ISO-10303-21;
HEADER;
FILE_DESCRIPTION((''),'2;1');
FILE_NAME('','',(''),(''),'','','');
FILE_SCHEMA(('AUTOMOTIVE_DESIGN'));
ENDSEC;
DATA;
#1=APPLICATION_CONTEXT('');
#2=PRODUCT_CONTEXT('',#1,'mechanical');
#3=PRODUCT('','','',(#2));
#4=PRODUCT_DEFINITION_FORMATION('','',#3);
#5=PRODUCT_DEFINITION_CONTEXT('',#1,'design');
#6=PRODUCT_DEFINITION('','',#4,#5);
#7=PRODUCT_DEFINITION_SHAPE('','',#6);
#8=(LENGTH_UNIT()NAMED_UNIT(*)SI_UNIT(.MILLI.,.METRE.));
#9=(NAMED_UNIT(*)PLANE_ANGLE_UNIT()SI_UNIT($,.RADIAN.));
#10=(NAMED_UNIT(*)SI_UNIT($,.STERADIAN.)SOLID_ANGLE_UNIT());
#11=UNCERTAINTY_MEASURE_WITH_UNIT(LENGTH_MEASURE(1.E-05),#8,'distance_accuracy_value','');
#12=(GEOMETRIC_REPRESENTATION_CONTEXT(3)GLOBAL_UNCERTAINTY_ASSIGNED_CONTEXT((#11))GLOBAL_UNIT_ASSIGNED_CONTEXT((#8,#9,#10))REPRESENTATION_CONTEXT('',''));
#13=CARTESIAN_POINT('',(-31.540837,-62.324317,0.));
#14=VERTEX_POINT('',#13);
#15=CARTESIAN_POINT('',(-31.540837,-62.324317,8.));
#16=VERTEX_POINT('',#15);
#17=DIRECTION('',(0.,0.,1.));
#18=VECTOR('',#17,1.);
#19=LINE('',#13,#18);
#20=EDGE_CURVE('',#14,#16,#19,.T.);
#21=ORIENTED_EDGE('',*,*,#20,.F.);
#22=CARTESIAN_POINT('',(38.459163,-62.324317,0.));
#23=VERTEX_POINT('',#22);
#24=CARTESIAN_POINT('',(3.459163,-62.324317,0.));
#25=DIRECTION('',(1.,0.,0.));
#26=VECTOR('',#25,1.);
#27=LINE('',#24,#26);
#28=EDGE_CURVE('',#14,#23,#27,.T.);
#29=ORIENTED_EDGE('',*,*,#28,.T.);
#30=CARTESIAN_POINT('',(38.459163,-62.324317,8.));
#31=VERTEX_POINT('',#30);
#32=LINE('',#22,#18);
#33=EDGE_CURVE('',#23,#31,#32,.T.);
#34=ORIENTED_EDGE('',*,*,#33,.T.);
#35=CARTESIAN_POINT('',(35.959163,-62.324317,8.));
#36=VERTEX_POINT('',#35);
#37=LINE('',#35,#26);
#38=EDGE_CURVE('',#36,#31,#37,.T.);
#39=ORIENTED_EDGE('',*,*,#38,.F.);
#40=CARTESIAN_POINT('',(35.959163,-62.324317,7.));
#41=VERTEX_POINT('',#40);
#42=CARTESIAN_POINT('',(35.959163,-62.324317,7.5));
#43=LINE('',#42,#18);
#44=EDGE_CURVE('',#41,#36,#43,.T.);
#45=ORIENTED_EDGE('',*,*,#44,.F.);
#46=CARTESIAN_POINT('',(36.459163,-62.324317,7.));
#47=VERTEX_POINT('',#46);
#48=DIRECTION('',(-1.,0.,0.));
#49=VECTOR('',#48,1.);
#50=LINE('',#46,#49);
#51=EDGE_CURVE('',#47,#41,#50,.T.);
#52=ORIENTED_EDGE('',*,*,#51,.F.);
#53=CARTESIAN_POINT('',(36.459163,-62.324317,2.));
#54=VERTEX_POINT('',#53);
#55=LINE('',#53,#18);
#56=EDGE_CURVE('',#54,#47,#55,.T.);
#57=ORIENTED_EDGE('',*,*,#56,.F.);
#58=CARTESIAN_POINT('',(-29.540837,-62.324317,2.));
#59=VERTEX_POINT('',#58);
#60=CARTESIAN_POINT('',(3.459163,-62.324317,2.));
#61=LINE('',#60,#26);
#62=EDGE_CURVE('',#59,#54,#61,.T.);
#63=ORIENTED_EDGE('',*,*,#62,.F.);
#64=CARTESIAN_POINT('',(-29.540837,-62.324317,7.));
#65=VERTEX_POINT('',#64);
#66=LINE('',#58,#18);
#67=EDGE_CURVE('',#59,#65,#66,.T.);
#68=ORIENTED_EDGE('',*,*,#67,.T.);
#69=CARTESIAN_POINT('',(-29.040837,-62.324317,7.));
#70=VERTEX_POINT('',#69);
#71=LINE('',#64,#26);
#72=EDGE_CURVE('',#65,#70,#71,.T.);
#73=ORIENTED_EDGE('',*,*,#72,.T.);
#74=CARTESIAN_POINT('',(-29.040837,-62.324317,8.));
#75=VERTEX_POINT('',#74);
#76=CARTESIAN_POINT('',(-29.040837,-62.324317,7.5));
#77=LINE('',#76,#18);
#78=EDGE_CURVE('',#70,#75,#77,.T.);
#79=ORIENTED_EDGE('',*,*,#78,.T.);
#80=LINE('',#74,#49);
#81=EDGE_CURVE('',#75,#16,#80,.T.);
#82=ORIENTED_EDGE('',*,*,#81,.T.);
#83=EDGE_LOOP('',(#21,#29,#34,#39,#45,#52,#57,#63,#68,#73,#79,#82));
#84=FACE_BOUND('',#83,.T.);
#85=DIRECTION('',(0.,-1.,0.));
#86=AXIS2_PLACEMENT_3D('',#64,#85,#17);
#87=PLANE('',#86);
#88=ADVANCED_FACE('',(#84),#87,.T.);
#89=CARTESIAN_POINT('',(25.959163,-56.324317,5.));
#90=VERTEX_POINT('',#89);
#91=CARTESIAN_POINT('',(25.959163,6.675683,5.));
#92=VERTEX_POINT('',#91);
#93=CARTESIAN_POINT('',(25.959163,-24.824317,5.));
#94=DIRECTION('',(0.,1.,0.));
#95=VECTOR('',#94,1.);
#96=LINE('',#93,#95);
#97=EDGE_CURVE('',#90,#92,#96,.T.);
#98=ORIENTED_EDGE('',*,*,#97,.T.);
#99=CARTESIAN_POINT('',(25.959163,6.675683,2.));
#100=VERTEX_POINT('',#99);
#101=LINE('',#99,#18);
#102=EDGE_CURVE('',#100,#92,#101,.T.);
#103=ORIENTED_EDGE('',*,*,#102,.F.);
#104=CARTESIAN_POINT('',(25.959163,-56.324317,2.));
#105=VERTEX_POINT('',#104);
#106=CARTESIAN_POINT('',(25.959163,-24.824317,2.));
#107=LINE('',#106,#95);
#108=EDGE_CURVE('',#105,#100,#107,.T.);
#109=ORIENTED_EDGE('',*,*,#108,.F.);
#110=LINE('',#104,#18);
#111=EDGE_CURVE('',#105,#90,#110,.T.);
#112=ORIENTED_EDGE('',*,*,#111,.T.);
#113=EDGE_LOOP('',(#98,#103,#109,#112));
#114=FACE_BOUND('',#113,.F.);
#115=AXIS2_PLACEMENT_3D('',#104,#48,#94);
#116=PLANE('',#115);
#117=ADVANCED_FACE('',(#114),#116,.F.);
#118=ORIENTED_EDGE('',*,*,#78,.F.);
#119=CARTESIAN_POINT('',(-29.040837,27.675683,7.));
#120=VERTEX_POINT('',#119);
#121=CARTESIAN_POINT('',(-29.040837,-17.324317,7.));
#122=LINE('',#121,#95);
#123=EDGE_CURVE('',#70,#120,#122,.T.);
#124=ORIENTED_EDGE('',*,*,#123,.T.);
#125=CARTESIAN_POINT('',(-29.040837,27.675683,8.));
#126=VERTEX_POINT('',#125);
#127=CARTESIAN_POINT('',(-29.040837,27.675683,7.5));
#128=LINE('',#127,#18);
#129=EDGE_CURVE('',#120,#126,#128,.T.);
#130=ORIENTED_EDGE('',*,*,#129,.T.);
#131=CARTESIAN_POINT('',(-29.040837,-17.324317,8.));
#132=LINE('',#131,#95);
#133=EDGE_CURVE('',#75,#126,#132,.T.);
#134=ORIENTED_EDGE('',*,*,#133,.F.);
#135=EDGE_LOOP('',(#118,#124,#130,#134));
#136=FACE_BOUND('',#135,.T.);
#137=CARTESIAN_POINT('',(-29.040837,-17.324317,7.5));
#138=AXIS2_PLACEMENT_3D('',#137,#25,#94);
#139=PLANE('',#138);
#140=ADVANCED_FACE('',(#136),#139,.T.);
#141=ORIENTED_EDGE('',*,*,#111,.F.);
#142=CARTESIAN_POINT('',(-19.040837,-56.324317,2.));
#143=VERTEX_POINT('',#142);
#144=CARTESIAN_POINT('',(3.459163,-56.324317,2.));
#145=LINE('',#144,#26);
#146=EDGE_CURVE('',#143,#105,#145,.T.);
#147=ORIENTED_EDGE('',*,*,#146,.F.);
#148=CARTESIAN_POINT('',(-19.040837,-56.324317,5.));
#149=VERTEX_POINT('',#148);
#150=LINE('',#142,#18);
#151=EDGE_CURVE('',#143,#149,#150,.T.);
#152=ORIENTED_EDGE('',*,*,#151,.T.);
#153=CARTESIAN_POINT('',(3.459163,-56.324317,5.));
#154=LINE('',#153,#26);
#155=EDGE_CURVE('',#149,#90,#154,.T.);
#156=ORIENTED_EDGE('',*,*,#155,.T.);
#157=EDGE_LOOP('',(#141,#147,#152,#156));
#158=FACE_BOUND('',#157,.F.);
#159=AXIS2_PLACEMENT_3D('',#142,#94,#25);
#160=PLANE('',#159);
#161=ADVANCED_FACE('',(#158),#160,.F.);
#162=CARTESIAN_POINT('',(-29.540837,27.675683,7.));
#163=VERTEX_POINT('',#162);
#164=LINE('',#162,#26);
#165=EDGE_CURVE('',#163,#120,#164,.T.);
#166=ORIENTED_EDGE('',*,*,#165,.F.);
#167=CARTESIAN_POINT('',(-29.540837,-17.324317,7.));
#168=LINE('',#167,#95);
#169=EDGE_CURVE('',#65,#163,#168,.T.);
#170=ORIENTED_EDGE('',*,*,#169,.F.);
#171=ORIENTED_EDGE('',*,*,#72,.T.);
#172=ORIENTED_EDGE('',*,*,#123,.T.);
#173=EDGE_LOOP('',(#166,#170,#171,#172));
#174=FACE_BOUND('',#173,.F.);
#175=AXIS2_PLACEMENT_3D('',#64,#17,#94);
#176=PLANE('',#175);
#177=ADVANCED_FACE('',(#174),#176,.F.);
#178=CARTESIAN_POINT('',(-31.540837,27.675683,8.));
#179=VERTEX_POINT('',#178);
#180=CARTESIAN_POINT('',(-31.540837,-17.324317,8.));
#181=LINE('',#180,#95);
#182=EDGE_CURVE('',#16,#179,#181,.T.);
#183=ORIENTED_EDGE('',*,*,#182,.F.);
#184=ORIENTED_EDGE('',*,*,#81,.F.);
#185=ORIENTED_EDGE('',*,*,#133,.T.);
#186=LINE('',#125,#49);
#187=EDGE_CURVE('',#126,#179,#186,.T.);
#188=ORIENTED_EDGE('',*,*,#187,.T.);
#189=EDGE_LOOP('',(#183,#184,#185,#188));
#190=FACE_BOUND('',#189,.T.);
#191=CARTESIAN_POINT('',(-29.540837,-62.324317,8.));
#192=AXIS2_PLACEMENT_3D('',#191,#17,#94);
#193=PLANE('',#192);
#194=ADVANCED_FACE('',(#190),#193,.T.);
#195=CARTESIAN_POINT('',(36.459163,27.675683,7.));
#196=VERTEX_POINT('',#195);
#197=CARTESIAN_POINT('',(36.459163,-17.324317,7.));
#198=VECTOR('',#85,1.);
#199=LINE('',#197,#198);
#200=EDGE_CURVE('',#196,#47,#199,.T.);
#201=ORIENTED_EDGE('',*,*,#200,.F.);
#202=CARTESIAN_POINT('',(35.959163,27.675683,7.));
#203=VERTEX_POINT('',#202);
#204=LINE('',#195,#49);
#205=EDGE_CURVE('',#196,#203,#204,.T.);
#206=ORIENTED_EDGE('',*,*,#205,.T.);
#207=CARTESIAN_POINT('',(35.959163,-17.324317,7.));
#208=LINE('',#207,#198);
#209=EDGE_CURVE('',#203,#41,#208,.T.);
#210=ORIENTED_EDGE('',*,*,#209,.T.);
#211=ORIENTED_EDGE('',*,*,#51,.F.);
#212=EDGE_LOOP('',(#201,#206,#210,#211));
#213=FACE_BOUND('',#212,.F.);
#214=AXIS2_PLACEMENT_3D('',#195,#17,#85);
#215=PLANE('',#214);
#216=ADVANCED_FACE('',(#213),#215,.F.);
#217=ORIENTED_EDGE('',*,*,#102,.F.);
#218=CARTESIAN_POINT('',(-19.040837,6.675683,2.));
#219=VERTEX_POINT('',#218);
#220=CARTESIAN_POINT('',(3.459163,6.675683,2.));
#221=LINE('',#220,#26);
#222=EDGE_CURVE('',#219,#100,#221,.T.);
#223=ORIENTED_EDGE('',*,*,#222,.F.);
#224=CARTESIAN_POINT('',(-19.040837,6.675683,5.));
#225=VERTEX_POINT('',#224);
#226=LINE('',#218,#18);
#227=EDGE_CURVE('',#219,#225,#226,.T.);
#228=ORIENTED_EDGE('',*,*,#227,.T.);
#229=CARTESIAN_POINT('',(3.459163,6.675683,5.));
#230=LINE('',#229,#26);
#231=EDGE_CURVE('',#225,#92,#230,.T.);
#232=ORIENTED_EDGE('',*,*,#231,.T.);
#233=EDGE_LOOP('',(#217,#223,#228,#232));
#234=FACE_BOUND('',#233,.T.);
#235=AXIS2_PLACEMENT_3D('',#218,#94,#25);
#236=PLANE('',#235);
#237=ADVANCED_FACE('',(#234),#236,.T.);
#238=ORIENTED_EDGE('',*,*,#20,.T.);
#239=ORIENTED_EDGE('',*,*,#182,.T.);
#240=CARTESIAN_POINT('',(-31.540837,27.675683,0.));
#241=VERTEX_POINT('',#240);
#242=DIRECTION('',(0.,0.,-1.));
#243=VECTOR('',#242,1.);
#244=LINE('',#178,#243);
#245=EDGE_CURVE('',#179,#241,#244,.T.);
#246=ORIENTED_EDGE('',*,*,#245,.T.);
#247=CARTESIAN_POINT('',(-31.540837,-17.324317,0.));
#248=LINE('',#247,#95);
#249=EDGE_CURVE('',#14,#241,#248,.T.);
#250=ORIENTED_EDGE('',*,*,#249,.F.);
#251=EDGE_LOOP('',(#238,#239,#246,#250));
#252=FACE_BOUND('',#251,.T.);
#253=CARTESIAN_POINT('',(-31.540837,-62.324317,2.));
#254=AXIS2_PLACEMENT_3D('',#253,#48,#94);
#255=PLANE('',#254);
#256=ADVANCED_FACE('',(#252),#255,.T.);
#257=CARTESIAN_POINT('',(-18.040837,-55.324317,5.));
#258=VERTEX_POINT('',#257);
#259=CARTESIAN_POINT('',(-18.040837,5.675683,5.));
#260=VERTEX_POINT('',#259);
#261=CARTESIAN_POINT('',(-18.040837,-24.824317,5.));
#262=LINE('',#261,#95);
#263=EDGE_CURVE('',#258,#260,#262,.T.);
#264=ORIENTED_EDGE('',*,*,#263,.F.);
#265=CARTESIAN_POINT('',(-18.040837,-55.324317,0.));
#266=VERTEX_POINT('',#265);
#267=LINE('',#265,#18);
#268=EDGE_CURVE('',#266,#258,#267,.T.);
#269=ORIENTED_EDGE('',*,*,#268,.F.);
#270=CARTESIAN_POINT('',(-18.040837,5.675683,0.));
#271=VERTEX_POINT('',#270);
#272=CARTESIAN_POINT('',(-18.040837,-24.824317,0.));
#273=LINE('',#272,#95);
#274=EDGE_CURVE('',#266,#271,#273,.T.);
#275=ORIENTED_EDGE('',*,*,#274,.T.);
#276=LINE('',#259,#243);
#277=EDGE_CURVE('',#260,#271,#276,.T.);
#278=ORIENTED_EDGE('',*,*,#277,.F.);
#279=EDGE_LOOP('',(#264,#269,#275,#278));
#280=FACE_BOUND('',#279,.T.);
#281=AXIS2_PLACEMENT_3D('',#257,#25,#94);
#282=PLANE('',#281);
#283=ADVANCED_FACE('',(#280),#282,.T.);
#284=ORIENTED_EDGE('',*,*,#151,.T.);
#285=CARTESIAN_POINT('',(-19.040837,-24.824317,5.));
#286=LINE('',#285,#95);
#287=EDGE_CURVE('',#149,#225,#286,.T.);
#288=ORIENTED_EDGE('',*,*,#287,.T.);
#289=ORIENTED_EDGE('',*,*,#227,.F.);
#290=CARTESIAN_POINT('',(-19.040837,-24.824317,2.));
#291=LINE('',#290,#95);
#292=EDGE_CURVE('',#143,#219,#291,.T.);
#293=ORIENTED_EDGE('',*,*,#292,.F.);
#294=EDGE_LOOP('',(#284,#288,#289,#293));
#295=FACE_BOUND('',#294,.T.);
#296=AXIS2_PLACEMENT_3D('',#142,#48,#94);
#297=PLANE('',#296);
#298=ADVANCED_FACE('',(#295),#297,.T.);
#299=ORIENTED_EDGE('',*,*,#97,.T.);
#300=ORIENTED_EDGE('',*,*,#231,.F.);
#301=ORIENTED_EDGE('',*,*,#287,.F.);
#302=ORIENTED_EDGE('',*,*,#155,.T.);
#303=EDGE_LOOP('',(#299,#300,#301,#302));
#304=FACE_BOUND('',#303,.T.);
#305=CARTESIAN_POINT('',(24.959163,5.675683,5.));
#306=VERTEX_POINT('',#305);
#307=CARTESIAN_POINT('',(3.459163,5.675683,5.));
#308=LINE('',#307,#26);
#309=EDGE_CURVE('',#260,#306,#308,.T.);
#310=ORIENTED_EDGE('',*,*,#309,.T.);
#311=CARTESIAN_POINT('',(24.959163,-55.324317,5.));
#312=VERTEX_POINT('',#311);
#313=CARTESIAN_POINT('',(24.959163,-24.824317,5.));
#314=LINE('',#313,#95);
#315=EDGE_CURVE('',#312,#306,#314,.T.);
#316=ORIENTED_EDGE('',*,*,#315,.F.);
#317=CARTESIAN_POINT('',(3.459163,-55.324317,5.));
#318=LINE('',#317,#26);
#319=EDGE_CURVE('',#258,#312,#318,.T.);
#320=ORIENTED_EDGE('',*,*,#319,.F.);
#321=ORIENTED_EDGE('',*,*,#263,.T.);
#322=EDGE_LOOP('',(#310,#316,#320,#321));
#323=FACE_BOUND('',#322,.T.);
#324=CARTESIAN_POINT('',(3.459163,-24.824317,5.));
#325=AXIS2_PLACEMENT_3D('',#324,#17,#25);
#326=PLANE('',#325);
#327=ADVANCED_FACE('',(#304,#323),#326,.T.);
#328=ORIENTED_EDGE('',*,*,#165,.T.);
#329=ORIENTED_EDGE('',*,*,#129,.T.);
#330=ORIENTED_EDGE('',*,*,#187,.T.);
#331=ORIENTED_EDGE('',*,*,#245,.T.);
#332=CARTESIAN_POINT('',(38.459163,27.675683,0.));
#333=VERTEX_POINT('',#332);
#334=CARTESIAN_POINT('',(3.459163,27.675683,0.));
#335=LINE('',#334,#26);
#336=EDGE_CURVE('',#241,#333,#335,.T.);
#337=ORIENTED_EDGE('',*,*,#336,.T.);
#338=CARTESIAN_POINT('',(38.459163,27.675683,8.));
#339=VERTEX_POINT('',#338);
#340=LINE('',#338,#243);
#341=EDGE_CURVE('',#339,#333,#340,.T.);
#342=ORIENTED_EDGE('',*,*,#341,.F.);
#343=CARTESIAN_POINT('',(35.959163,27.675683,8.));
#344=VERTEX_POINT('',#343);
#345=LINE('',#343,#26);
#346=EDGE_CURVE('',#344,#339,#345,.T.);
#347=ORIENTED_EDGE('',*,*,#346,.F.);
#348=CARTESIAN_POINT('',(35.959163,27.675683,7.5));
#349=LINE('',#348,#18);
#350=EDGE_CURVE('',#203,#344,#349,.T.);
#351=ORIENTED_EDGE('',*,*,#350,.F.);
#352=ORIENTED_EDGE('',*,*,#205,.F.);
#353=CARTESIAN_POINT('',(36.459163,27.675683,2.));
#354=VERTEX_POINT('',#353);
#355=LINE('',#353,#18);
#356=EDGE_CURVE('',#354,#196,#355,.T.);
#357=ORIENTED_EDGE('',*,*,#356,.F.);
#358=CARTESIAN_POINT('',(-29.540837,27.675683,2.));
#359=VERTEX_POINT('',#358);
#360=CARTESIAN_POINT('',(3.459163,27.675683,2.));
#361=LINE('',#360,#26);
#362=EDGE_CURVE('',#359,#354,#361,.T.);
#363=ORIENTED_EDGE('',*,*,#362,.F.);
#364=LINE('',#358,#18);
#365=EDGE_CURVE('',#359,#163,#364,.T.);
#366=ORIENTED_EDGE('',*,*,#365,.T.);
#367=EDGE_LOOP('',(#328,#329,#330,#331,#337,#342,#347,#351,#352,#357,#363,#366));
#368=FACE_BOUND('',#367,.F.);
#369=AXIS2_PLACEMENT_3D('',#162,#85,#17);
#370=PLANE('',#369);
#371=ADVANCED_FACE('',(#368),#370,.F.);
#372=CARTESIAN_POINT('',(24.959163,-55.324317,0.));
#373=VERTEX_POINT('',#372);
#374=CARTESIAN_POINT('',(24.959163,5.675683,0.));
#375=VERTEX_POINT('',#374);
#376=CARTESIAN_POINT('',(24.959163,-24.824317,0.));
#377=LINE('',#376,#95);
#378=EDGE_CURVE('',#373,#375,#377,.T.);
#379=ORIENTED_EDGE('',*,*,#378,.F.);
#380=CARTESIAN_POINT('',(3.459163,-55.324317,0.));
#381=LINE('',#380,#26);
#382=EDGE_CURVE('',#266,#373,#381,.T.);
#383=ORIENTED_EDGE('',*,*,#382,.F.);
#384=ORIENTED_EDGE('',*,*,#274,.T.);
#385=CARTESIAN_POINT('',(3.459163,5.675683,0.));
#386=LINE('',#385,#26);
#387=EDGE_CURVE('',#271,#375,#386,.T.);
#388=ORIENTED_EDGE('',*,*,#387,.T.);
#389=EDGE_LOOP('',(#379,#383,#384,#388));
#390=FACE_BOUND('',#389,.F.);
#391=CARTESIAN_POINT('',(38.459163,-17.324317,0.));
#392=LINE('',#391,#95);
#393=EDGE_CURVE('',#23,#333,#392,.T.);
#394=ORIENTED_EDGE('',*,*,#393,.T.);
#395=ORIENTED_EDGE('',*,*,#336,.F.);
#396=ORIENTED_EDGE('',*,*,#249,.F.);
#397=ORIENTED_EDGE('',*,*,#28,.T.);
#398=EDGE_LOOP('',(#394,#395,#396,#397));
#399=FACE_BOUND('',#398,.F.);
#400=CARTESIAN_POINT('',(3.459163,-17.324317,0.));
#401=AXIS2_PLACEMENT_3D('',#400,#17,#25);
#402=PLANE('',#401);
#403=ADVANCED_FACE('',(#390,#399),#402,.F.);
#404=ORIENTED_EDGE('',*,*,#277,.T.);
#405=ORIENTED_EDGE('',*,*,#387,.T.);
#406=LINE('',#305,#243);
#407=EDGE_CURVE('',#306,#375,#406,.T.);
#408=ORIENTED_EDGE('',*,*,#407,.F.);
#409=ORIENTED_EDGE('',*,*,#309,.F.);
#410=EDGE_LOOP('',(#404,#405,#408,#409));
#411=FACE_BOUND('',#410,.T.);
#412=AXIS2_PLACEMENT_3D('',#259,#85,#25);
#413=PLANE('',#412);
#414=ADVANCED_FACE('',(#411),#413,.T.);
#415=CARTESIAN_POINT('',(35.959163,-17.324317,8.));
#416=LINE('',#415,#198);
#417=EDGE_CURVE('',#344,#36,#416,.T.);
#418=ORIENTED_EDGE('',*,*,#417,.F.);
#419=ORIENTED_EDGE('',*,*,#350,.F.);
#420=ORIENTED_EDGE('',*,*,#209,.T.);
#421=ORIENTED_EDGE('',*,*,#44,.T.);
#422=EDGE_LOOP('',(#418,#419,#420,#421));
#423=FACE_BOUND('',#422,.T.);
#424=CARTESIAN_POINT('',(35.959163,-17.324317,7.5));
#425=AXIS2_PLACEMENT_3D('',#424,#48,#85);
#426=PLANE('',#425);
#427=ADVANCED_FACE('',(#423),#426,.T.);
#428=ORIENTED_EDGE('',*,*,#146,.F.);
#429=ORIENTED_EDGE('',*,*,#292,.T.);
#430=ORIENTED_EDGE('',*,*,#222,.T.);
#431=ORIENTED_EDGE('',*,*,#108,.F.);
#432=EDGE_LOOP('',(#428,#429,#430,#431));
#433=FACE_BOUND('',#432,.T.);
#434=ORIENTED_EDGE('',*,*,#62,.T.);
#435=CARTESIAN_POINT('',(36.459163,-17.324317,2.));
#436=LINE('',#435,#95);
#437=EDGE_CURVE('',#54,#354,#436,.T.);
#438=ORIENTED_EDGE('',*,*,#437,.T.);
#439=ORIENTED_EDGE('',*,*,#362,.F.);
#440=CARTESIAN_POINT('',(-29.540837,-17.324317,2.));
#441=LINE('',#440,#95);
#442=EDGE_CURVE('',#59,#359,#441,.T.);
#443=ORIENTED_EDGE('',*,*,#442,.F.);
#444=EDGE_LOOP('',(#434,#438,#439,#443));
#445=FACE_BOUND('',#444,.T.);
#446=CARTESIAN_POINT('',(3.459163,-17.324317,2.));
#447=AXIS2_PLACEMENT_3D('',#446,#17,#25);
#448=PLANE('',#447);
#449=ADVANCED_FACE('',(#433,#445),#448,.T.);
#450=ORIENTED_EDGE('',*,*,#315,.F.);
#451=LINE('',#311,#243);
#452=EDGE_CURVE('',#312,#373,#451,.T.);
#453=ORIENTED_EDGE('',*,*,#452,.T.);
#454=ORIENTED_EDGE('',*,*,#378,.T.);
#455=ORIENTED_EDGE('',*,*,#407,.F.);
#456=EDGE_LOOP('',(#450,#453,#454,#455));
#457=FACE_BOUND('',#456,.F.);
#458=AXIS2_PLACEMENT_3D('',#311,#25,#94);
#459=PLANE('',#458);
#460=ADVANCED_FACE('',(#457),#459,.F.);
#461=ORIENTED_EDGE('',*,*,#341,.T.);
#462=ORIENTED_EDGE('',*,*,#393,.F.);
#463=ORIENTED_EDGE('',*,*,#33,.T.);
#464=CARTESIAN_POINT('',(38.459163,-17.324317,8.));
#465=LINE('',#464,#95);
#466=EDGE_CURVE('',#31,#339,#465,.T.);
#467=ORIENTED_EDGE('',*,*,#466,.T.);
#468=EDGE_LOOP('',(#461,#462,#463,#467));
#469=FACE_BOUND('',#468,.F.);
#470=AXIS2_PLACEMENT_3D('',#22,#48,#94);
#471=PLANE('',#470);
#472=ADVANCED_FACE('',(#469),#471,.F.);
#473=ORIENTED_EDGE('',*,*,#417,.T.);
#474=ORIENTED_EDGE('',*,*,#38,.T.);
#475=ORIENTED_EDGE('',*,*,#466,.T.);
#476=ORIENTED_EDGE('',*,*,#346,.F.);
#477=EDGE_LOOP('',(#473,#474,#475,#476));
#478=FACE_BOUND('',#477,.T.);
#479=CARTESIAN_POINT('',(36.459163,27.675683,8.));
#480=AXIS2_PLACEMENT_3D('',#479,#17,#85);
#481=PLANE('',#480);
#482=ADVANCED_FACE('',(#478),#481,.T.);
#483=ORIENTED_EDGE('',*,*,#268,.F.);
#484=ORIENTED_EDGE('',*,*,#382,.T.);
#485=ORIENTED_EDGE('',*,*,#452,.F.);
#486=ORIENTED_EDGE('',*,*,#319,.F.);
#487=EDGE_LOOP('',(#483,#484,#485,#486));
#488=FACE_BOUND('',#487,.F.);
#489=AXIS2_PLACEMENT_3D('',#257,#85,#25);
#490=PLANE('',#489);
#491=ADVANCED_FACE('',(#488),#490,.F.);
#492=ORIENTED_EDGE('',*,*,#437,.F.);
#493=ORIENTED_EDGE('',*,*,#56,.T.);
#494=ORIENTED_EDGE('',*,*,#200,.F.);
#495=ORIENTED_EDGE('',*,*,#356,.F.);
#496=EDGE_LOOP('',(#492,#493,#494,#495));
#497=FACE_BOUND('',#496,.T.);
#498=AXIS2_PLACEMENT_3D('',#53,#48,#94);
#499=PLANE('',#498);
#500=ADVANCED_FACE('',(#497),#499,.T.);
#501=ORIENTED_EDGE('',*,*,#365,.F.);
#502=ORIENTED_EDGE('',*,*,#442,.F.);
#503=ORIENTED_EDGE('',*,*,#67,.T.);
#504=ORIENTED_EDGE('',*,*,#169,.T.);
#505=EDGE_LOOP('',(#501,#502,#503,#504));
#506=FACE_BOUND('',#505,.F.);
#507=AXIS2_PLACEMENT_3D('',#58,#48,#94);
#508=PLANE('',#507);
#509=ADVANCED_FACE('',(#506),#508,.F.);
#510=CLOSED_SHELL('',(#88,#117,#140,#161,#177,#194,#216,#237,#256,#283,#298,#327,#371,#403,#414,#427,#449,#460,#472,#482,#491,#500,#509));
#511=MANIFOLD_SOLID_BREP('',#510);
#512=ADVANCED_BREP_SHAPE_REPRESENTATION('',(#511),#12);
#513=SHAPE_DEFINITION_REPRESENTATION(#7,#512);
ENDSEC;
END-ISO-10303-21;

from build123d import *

# Parameters (mm, degrees)
SKETCH_W        = 70
SKETCH_H        = 90
PAD_DEPTH       = 2
SKETCH001_W     = 43
SKETCH001_H     = 61
POCKET_DEPTH    = 2
SKETCH002_W     = 45
SKETCH002_H     = 63
PAD001_DEPTH    = 3
SKETCH003_W     = 43
SKETCH003_H     = 61
POCKET001_DEPTH = 3
SKETCH004_W     = 2
SKETCH004_H     = 90
PAD002_DEPTH    = 6
SKETCH005_W     = 90
SKETCH005_H     = 1
PAD003_DEPTH    = 0.5
SKETCH006_W     = 90
SKETCH006_H     = 1
PAD004_DEPTH    = 0.5


with BuildPart() as part:
    # Sketch → Pad (new body)
    with BuildSketch(Plane.XY):
        with Locations((3.459163, -17.324317)):
            Rectangle(SKETCH_W, SKETCH_H)
    extrude(amount=PAD_DEPTH)

    # Sketch001 (on Face6 of Pad) → Pocket (cut)
    with BuildSketch(Plane.XY.offset(2)):
        with Locations((3.459163, -24.824317)):
            Rectangle(SKETCH001_W, SKETCH001_H)
    extrude(amount=-POCKET_DEPTH, mode=Mode.SUBTRACT)

    # Sketch002 (on Face5 of Pocket) → Pad001 (join)
    with BuildSketch(Plane.XY.offset(2)):
        with Locations((3.459163, -24.824317)):
            Rectangle(SKETCH002_W, SKETCH002_H)
    extrude(amount=PAD001_DEPTH)

    # Sketch003 (on Face16 of Pad001) → Pocket001 (cut)
    with BuildSketch(Plane.XY.offset(5)):
        with Locations((3.459163, -24.824317)):
            Rectangle(SKETCH003_W, SKETCH003_H)
    extrude(amount=-POCKET001_DEPTH, mode=Mode.SUBTRACT)

    # Sketch004 (on Face5 of Pocket001) → Pad002 (join)
    with BuildSketch(Plane.XY.offset(2)):
        with Locations((-30.540837, -17.324317)):
            Rectangle(SKETCH004_W, SKETCH004_H)
        with Locations((37.459163, -17.324317)):
            Rectangle(SKETCH004_W, SKETCH004_H)
    extrude(amount=PAD002_DEPTH)

    # Sketch005 (on Face17 of Pad002) → Pad003 (join)
    with BuildSketch(Plane(origin=(36.459163, 0, 0), x_dir=(0, -1, 0), z_dir=(-1, 0, 0))):
        with Locations((17.324317, 7.5)):
            Rectangle(SKETCH005_W, SKETCH005_H)
    extrude(amount=PAD003_DEPTH)

    # Sketch006 (on Face15 of Pad003) → Pad004 (join)
    with BuildSketch(Plane.YZ.offset(-29.540837)):
        with Locations((-17.324317, 7.5)):
            Rectangle(SKETCH006_W, SKETCH006_H)
    extrude(amount=PAD004_DEPTH)


solid = part.part
